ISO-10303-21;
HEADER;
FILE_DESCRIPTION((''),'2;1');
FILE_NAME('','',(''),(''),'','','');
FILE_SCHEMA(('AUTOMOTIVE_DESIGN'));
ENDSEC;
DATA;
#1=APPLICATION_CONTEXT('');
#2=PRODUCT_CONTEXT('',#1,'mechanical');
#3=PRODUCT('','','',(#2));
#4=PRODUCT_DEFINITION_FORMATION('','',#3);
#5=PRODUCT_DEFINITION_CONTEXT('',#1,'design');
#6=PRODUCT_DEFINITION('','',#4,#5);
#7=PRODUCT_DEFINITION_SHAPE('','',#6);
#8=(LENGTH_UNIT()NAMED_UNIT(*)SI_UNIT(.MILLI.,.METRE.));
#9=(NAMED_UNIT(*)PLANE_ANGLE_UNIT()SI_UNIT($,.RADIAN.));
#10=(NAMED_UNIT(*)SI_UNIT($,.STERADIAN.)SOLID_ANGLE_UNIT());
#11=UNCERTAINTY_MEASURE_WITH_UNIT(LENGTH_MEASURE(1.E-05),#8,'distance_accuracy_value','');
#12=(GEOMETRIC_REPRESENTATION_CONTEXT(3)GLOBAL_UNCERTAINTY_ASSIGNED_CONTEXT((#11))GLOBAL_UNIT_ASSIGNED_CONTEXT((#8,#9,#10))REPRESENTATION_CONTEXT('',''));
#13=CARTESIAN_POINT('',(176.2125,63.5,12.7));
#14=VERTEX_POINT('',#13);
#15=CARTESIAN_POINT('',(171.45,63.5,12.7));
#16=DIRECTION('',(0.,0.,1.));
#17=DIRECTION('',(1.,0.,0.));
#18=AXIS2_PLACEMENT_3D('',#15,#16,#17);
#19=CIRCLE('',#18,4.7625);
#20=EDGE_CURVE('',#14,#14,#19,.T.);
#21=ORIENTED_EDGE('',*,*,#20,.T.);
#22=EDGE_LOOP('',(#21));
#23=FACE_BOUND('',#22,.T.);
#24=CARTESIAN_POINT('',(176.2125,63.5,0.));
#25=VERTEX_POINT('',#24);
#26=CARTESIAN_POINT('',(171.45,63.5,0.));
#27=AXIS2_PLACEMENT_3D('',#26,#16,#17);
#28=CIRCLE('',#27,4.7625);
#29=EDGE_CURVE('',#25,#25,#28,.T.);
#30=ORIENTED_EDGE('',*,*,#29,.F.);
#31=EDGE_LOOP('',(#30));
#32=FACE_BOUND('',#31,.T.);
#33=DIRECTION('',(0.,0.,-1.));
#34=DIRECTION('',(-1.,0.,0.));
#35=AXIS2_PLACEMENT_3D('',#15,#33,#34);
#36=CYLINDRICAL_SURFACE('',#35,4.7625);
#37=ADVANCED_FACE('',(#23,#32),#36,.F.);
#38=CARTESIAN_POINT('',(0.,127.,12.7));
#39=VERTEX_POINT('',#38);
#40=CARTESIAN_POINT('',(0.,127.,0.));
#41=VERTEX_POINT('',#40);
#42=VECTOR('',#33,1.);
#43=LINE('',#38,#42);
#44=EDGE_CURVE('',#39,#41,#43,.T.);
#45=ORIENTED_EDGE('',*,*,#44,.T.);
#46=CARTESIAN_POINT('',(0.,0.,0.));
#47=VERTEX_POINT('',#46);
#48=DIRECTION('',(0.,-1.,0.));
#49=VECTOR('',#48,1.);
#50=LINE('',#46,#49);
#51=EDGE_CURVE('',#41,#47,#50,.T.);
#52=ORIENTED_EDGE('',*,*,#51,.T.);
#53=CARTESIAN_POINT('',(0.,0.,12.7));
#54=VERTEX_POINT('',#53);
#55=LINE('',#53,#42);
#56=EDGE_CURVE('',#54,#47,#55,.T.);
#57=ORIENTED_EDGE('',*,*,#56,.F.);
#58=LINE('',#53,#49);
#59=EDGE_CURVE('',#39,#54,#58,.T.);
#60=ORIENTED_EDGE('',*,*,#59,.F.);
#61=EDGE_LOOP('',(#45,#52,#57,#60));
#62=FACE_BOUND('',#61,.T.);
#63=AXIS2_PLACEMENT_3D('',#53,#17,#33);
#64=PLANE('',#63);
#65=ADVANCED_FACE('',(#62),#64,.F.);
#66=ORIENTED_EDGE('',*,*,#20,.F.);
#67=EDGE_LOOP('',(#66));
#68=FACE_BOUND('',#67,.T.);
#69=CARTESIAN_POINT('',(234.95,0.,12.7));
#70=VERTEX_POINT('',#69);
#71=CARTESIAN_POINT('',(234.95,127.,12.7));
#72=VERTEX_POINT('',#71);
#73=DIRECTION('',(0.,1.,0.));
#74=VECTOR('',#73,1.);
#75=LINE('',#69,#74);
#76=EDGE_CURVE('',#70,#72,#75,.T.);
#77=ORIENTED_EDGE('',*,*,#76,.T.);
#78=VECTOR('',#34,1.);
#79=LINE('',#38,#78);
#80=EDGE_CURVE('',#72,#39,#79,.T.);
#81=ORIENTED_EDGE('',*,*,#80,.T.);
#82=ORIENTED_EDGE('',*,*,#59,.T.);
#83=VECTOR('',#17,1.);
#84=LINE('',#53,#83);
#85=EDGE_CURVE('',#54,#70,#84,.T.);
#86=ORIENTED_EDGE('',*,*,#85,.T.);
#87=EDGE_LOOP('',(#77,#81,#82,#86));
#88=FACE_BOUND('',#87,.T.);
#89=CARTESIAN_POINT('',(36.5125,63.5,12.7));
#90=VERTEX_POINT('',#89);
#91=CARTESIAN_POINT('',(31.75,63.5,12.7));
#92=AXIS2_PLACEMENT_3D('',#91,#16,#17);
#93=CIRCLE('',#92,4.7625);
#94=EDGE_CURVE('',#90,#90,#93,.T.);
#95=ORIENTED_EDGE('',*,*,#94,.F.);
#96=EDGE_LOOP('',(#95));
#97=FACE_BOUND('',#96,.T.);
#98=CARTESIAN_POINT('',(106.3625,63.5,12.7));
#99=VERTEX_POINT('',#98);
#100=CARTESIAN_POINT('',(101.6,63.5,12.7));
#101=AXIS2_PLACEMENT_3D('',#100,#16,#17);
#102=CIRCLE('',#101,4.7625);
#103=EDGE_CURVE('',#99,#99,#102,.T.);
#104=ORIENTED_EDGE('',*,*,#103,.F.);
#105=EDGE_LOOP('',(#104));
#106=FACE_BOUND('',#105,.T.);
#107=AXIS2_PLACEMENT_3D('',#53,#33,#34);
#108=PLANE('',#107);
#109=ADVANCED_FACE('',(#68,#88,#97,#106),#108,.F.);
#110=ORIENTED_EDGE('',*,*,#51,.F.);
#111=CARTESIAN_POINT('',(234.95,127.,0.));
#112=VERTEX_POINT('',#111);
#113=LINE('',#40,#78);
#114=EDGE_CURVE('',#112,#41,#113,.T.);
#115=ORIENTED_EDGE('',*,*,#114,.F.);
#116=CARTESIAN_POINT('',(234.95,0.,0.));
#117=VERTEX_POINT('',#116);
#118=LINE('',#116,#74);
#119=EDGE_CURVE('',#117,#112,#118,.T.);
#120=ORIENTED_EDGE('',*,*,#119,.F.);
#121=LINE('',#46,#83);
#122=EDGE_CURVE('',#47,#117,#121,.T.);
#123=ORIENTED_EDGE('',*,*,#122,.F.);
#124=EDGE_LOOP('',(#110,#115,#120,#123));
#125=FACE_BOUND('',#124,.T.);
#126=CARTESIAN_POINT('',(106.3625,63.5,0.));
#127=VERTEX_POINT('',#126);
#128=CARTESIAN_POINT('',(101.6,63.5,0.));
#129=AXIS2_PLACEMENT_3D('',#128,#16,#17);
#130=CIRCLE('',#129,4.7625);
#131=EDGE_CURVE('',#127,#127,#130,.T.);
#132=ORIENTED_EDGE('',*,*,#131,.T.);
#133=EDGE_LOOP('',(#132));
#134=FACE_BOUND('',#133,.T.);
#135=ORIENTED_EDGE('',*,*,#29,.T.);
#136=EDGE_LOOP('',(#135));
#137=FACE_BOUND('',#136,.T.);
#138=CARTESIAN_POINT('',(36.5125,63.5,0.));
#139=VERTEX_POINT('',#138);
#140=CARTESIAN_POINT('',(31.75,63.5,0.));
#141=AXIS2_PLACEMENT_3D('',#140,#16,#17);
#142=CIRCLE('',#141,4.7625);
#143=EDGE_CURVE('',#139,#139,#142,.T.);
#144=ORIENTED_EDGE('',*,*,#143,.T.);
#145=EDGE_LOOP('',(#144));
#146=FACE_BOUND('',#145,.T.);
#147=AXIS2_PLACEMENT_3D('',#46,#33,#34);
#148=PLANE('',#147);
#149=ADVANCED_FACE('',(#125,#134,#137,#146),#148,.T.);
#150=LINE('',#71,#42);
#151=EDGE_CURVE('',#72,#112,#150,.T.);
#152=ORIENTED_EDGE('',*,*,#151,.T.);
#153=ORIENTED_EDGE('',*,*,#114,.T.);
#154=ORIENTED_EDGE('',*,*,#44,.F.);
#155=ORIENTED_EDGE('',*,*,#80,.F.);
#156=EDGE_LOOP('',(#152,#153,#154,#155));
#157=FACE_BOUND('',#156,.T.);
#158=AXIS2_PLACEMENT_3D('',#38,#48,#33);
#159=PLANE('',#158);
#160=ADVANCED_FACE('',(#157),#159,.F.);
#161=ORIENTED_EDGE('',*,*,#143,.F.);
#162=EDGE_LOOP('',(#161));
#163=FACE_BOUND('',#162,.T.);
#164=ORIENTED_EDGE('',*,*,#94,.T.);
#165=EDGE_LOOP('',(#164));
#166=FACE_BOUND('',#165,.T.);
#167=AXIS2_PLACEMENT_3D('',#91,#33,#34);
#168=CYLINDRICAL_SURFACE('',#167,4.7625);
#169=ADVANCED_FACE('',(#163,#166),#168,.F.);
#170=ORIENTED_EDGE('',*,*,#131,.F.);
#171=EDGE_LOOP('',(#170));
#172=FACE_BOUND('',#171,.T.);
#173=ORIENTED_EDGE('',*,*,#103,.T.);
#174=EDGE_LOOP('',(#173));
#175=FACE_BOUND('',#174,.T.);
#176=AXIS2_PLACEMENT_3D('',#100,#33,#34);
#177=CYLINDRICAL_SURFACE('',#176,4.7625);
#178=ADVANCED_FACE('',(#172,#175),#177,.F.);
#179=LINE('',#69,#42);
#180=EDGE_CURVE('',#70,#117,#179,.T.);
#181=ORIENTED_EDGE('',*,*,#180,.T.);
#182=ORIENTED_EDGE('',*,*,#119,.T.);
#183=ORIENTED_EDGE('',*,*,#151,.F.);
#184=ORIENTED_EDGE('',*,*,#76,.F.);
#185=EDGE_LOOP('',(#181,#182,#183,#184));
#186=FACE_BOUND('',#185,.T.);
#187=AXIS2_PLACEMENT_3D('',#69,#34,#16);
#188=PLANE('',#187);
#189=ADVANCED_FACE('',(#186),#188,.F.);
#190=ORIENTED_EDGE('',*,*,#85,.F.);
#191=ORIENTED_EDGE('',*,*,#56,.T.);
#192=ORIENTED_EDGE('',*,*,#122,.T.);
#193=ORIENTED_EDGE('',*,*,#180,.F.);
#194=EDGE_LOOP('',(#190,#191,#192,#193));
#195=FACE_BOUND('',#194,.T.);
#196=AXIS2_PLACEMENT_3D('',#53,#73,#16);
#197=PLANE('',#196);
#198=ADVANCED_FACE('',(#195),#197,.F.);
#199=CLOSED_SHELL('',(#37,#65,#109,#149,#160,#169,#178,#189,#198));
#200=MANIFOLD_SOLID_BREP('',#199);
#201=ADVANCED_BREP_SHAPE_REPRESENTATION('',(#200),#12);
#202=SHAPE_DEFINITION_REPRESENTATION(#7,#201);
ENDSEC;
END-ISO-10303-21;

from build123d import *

# Parameters (mm, degrees)
SKETCH1_W           = 234.95
SKETCH1_H           = 127
SKETCH1_R           = 4.7625
BOSS_EXTRUDE1_DEPTH = 12.7


with BuildPart() as part:
    # Sketch1 → Boss-Extrude1 (new body)
    with BuildSketch(Plane.XY):
        with Locations((117.475, 63.5)):
            Rectangle(SKETCH1_W, SKETCH1_H)
        with Locations((31.75, 63.5)):
            Circle(SKETCH1_R, mode=Mode.SUBTRACT)
        with Locations((101.6, 63.5)):
            Circle(SKETCH1_R, mode=Mode.SUBTRACT)
        with Locations((171.45, 63.5)):
            Circle(SKETCH1_R, mode=Mode.SUBTRACT)
    extrude(amount=BOSS_EXTRUDE1_DEPTH)


solid = part.part
